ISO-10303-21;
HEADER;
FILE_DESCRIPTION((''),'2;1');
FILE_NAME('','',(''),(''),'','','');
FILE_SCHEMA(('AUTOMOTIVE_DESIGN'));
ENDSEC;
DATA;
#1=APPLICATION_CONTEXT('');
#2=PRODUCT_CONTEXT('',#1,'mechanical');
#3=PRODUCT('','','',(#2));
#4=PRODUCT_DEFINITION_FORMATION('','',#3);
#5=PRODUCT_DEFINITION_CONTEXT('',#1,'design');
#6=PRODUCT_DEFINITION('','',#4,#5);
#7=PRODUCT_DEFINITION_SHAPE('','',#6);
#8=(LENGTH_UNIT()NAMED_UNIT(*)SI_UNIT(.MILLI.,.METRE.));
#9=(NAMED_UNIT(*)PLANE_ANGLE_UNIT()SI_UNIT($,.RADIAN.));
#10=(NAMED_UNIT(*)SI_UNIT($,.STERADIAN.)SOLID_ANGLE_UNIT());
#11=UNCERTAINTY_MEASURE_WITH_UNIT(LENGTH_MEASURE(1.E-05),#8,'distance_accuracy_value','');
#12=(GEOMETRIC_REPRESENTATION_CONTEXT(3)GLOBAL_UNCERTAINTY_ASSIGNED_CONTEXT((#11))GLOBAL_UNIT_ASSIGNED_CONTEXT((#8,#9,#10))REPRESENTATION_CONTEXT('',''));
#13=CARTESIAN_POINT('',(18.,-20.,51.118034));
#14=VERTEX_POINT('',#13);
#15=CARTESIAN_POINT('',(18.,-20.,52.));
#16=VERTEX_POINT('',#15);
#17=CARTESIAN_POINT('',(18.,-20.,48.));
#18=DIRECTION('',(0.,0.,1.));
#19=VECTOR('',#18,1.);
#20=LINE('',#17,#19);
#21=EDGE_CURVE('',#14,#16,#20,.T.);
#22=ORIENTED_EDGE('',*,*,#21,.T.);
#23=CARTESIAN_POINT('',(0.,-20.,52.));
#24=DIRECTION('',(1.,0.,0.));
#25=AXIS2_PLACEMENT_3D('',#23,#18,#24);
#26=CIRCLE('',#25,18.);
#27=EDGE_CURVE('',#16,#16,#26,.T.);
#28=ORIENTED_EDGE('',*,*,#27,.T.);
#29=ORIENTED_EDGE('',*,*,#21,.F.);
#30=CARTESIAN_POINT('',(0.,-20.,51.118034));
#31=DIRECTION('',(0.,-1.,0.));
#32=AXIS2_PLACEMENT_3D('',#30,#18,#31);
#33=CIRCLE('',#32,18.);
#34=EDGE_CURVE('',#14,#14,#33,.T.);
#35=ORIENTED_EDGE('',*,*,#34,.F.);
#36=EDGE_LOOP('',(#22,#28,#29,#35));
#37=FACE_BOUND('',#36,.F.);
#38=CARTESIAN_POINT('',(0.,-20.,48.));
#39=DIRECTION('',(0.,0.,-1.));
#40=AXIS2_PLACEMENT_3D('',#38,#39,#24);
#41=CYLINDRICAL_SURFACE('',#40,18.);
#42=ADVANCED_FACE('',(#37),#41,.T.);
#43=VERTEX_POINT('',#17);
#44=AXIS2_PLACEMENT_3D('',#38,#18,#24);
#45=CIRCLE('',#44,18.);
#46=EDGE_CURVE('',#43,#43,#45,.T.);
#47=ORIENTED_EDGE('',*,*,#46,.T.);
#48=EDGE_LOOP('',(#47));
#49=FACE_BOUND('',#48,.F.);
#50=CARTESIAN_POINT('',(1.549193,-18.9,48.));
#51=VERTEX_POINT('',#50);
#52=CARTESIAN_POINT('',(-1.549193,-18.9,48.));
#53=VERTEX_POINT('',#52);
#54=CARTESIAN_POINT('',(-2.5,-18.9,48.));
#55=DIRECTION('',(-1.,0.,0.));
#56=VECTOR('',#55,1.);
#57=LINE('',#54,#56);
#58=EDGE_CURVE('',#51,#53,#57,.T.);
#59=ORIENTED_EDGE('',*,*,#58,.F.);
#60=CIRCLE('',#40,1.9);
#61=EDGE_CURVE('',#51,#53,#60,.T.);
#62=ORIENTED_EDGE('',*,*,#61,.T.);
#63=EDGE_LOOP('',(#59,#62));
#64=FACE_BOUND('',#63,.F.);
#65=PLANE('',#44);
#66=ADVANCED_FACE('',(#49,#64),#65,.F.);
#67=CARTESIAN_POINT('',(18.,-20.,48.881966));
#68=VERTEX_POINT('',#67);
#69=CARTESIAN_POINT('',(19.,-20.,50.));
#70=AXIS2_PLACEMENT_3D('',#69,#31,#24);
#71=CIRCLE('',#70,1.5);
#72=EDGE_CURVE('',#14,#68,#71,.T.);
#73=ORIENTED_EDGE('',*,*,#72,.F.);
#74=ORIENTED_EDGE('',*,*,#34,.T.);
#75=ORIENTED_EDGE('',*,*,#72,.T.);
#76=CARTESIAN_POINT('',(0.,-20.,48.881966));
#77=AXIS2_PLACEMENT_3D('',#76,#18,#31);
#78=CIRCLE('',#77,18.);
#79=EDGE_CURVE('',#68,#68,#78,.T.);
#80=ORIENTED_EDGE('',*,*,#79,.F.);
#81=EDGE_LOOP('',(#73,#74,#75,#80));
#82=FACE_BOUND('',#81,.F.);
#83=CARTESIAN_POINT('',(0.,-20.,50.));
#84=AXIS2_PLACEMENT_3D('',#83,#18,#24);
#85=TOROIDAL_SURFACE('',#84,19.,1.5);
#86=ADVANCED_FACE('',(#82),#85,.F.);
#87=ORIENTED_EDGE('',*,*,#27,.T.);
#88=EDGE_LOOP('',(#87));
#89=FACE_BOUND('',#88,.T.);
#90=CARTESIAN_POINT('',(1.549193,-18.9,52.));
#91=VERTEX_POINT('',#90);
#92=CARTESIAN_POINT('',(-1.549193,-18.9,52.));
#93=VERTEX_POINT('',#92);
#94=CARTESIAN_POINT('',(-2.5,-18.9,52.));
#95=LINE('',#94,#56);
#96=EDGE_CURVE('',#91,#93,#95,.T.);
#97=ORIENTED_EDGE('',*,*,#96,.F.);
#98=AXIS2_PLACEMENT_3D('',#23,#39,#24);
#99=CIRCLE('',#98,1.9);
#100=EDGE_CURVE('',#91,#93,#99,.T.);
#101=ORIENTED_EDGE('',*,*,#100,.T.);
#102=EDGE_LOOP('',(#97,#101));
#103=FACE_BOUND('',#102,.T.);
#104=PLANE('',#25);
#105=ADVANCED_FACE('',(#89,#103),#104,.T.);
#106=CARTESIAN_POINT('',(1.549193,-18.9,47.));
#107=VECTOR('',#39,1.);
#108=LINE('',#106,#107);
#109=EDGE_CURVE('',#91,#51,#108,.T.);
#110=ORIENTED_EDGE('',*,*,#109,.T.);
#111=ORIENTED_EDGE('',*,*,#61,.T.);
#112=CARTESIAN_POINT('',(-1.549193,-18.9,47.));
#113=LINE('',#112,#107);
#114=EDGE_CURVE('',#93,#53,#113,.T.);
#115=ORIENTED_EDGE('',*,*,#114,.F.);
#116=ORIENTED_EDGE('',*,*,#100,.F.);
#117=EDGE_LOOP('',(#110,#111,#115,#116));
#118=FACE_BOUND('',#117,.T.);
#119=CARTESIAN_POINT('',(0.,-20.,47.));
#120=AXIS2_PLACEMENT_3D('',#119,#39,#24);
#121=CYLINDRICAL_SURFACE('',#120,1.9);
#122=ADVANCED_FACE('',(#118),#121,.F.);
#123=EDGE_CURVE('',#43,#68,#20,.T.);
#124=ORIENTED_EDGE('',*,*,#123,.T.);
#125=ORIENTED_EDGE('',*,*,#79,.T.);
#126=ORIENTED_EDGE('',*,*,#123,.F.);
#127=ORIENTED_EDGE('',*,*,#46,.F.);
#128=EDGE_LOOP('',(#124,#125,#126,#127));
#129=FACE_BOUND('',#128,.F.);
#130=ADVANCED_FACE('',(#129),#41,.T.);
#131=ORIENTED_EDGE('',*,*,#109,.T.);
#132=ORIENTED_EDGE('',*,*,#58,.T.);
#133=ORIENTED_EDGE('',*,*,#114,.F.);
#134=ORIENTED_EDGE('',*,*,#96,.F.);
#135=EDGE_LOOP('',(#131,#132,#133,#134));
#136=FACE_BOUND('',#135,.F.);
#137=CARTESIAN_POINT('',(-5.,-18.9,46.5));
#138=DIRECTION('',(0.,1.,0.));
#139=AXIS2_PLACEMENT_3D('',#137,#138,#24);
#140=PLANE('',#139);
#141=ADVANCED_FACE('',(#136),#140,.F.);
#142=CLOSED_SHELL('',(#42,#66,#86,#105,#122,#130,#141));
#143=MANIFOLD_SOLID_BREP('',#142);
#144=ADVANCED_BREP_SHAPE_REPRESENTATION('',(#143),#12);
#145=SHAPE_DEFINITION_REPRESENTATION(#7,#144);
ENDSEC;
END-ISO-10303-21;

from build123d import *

# Parameters (mm, degrees)
TORUS002_R        = 1.5
BOX084016_W       = 10
BOX084016_H       = 10
BOX084016_DEPTH   = 12
CYLINDER028_R     = 1.9
CYLINDER028_DEPTH = 10
CYLINDER012_R     = 18
CYLINDER012_DEPTH = 4


with BuildPart() as torus002:
    # Torus002 → Torus002 (revolve)
    with BuildSketch(Plane(origin=(0, 0, 2), x_dir=(1, 0, 0), z_dir=(0, -1, 0))):
        with Locations((19, 0)):
            Circle(TORUS002_R)
    revolve(axis=Axis((0, 0, 2), (0, 0, 1)))


with BuildPart() as cube067:
    # Box084016 → Box084016 (new body)
    with BuildSketch(Plane(origin=(-5, 1.1, -1.5), x_dir=(1, 0, 0), z_dir=(0, 0, 1))):
        with Locations((5, 5)):
            Rectangle(BOX084016_W, BOX084016_H)
    extrude(amount=BOX084016_DEPTH)


with BuildPart() as cut057:
    # Cylinder028 → Cylinder028 (new body)
    with BuildSketch(Plane.XY.offset(-1)):
        Circle(CYLINDER028_R)
    extrude(amount=CYLINDER028_DEPTH)

    # Cut057: cut Cube067
    add(cube067.part, mode=Mode.SUBTRACT)


with BuildPart() as wheel:
    # Cylinder012 → Cylinder012 (new body)
    with BuildSketch(Plane.XY):
        Circle(CYLINDER012_R)
    extrude(amount=CYLINDER012_DEPTH)

    # Cut062: cut Cut057
    add(cut057.part, mode=Mode.SUBTRACT)

    # Cut063: cut Torus002
    add(torus002.part, mode=Mode.SUBTRACT)


with BuildPart() as wheel_1:
    # Cut063 placement: moved
    add(wheel.part.moved(Location((0, -20, 48))))


solid = wheel_1.part
